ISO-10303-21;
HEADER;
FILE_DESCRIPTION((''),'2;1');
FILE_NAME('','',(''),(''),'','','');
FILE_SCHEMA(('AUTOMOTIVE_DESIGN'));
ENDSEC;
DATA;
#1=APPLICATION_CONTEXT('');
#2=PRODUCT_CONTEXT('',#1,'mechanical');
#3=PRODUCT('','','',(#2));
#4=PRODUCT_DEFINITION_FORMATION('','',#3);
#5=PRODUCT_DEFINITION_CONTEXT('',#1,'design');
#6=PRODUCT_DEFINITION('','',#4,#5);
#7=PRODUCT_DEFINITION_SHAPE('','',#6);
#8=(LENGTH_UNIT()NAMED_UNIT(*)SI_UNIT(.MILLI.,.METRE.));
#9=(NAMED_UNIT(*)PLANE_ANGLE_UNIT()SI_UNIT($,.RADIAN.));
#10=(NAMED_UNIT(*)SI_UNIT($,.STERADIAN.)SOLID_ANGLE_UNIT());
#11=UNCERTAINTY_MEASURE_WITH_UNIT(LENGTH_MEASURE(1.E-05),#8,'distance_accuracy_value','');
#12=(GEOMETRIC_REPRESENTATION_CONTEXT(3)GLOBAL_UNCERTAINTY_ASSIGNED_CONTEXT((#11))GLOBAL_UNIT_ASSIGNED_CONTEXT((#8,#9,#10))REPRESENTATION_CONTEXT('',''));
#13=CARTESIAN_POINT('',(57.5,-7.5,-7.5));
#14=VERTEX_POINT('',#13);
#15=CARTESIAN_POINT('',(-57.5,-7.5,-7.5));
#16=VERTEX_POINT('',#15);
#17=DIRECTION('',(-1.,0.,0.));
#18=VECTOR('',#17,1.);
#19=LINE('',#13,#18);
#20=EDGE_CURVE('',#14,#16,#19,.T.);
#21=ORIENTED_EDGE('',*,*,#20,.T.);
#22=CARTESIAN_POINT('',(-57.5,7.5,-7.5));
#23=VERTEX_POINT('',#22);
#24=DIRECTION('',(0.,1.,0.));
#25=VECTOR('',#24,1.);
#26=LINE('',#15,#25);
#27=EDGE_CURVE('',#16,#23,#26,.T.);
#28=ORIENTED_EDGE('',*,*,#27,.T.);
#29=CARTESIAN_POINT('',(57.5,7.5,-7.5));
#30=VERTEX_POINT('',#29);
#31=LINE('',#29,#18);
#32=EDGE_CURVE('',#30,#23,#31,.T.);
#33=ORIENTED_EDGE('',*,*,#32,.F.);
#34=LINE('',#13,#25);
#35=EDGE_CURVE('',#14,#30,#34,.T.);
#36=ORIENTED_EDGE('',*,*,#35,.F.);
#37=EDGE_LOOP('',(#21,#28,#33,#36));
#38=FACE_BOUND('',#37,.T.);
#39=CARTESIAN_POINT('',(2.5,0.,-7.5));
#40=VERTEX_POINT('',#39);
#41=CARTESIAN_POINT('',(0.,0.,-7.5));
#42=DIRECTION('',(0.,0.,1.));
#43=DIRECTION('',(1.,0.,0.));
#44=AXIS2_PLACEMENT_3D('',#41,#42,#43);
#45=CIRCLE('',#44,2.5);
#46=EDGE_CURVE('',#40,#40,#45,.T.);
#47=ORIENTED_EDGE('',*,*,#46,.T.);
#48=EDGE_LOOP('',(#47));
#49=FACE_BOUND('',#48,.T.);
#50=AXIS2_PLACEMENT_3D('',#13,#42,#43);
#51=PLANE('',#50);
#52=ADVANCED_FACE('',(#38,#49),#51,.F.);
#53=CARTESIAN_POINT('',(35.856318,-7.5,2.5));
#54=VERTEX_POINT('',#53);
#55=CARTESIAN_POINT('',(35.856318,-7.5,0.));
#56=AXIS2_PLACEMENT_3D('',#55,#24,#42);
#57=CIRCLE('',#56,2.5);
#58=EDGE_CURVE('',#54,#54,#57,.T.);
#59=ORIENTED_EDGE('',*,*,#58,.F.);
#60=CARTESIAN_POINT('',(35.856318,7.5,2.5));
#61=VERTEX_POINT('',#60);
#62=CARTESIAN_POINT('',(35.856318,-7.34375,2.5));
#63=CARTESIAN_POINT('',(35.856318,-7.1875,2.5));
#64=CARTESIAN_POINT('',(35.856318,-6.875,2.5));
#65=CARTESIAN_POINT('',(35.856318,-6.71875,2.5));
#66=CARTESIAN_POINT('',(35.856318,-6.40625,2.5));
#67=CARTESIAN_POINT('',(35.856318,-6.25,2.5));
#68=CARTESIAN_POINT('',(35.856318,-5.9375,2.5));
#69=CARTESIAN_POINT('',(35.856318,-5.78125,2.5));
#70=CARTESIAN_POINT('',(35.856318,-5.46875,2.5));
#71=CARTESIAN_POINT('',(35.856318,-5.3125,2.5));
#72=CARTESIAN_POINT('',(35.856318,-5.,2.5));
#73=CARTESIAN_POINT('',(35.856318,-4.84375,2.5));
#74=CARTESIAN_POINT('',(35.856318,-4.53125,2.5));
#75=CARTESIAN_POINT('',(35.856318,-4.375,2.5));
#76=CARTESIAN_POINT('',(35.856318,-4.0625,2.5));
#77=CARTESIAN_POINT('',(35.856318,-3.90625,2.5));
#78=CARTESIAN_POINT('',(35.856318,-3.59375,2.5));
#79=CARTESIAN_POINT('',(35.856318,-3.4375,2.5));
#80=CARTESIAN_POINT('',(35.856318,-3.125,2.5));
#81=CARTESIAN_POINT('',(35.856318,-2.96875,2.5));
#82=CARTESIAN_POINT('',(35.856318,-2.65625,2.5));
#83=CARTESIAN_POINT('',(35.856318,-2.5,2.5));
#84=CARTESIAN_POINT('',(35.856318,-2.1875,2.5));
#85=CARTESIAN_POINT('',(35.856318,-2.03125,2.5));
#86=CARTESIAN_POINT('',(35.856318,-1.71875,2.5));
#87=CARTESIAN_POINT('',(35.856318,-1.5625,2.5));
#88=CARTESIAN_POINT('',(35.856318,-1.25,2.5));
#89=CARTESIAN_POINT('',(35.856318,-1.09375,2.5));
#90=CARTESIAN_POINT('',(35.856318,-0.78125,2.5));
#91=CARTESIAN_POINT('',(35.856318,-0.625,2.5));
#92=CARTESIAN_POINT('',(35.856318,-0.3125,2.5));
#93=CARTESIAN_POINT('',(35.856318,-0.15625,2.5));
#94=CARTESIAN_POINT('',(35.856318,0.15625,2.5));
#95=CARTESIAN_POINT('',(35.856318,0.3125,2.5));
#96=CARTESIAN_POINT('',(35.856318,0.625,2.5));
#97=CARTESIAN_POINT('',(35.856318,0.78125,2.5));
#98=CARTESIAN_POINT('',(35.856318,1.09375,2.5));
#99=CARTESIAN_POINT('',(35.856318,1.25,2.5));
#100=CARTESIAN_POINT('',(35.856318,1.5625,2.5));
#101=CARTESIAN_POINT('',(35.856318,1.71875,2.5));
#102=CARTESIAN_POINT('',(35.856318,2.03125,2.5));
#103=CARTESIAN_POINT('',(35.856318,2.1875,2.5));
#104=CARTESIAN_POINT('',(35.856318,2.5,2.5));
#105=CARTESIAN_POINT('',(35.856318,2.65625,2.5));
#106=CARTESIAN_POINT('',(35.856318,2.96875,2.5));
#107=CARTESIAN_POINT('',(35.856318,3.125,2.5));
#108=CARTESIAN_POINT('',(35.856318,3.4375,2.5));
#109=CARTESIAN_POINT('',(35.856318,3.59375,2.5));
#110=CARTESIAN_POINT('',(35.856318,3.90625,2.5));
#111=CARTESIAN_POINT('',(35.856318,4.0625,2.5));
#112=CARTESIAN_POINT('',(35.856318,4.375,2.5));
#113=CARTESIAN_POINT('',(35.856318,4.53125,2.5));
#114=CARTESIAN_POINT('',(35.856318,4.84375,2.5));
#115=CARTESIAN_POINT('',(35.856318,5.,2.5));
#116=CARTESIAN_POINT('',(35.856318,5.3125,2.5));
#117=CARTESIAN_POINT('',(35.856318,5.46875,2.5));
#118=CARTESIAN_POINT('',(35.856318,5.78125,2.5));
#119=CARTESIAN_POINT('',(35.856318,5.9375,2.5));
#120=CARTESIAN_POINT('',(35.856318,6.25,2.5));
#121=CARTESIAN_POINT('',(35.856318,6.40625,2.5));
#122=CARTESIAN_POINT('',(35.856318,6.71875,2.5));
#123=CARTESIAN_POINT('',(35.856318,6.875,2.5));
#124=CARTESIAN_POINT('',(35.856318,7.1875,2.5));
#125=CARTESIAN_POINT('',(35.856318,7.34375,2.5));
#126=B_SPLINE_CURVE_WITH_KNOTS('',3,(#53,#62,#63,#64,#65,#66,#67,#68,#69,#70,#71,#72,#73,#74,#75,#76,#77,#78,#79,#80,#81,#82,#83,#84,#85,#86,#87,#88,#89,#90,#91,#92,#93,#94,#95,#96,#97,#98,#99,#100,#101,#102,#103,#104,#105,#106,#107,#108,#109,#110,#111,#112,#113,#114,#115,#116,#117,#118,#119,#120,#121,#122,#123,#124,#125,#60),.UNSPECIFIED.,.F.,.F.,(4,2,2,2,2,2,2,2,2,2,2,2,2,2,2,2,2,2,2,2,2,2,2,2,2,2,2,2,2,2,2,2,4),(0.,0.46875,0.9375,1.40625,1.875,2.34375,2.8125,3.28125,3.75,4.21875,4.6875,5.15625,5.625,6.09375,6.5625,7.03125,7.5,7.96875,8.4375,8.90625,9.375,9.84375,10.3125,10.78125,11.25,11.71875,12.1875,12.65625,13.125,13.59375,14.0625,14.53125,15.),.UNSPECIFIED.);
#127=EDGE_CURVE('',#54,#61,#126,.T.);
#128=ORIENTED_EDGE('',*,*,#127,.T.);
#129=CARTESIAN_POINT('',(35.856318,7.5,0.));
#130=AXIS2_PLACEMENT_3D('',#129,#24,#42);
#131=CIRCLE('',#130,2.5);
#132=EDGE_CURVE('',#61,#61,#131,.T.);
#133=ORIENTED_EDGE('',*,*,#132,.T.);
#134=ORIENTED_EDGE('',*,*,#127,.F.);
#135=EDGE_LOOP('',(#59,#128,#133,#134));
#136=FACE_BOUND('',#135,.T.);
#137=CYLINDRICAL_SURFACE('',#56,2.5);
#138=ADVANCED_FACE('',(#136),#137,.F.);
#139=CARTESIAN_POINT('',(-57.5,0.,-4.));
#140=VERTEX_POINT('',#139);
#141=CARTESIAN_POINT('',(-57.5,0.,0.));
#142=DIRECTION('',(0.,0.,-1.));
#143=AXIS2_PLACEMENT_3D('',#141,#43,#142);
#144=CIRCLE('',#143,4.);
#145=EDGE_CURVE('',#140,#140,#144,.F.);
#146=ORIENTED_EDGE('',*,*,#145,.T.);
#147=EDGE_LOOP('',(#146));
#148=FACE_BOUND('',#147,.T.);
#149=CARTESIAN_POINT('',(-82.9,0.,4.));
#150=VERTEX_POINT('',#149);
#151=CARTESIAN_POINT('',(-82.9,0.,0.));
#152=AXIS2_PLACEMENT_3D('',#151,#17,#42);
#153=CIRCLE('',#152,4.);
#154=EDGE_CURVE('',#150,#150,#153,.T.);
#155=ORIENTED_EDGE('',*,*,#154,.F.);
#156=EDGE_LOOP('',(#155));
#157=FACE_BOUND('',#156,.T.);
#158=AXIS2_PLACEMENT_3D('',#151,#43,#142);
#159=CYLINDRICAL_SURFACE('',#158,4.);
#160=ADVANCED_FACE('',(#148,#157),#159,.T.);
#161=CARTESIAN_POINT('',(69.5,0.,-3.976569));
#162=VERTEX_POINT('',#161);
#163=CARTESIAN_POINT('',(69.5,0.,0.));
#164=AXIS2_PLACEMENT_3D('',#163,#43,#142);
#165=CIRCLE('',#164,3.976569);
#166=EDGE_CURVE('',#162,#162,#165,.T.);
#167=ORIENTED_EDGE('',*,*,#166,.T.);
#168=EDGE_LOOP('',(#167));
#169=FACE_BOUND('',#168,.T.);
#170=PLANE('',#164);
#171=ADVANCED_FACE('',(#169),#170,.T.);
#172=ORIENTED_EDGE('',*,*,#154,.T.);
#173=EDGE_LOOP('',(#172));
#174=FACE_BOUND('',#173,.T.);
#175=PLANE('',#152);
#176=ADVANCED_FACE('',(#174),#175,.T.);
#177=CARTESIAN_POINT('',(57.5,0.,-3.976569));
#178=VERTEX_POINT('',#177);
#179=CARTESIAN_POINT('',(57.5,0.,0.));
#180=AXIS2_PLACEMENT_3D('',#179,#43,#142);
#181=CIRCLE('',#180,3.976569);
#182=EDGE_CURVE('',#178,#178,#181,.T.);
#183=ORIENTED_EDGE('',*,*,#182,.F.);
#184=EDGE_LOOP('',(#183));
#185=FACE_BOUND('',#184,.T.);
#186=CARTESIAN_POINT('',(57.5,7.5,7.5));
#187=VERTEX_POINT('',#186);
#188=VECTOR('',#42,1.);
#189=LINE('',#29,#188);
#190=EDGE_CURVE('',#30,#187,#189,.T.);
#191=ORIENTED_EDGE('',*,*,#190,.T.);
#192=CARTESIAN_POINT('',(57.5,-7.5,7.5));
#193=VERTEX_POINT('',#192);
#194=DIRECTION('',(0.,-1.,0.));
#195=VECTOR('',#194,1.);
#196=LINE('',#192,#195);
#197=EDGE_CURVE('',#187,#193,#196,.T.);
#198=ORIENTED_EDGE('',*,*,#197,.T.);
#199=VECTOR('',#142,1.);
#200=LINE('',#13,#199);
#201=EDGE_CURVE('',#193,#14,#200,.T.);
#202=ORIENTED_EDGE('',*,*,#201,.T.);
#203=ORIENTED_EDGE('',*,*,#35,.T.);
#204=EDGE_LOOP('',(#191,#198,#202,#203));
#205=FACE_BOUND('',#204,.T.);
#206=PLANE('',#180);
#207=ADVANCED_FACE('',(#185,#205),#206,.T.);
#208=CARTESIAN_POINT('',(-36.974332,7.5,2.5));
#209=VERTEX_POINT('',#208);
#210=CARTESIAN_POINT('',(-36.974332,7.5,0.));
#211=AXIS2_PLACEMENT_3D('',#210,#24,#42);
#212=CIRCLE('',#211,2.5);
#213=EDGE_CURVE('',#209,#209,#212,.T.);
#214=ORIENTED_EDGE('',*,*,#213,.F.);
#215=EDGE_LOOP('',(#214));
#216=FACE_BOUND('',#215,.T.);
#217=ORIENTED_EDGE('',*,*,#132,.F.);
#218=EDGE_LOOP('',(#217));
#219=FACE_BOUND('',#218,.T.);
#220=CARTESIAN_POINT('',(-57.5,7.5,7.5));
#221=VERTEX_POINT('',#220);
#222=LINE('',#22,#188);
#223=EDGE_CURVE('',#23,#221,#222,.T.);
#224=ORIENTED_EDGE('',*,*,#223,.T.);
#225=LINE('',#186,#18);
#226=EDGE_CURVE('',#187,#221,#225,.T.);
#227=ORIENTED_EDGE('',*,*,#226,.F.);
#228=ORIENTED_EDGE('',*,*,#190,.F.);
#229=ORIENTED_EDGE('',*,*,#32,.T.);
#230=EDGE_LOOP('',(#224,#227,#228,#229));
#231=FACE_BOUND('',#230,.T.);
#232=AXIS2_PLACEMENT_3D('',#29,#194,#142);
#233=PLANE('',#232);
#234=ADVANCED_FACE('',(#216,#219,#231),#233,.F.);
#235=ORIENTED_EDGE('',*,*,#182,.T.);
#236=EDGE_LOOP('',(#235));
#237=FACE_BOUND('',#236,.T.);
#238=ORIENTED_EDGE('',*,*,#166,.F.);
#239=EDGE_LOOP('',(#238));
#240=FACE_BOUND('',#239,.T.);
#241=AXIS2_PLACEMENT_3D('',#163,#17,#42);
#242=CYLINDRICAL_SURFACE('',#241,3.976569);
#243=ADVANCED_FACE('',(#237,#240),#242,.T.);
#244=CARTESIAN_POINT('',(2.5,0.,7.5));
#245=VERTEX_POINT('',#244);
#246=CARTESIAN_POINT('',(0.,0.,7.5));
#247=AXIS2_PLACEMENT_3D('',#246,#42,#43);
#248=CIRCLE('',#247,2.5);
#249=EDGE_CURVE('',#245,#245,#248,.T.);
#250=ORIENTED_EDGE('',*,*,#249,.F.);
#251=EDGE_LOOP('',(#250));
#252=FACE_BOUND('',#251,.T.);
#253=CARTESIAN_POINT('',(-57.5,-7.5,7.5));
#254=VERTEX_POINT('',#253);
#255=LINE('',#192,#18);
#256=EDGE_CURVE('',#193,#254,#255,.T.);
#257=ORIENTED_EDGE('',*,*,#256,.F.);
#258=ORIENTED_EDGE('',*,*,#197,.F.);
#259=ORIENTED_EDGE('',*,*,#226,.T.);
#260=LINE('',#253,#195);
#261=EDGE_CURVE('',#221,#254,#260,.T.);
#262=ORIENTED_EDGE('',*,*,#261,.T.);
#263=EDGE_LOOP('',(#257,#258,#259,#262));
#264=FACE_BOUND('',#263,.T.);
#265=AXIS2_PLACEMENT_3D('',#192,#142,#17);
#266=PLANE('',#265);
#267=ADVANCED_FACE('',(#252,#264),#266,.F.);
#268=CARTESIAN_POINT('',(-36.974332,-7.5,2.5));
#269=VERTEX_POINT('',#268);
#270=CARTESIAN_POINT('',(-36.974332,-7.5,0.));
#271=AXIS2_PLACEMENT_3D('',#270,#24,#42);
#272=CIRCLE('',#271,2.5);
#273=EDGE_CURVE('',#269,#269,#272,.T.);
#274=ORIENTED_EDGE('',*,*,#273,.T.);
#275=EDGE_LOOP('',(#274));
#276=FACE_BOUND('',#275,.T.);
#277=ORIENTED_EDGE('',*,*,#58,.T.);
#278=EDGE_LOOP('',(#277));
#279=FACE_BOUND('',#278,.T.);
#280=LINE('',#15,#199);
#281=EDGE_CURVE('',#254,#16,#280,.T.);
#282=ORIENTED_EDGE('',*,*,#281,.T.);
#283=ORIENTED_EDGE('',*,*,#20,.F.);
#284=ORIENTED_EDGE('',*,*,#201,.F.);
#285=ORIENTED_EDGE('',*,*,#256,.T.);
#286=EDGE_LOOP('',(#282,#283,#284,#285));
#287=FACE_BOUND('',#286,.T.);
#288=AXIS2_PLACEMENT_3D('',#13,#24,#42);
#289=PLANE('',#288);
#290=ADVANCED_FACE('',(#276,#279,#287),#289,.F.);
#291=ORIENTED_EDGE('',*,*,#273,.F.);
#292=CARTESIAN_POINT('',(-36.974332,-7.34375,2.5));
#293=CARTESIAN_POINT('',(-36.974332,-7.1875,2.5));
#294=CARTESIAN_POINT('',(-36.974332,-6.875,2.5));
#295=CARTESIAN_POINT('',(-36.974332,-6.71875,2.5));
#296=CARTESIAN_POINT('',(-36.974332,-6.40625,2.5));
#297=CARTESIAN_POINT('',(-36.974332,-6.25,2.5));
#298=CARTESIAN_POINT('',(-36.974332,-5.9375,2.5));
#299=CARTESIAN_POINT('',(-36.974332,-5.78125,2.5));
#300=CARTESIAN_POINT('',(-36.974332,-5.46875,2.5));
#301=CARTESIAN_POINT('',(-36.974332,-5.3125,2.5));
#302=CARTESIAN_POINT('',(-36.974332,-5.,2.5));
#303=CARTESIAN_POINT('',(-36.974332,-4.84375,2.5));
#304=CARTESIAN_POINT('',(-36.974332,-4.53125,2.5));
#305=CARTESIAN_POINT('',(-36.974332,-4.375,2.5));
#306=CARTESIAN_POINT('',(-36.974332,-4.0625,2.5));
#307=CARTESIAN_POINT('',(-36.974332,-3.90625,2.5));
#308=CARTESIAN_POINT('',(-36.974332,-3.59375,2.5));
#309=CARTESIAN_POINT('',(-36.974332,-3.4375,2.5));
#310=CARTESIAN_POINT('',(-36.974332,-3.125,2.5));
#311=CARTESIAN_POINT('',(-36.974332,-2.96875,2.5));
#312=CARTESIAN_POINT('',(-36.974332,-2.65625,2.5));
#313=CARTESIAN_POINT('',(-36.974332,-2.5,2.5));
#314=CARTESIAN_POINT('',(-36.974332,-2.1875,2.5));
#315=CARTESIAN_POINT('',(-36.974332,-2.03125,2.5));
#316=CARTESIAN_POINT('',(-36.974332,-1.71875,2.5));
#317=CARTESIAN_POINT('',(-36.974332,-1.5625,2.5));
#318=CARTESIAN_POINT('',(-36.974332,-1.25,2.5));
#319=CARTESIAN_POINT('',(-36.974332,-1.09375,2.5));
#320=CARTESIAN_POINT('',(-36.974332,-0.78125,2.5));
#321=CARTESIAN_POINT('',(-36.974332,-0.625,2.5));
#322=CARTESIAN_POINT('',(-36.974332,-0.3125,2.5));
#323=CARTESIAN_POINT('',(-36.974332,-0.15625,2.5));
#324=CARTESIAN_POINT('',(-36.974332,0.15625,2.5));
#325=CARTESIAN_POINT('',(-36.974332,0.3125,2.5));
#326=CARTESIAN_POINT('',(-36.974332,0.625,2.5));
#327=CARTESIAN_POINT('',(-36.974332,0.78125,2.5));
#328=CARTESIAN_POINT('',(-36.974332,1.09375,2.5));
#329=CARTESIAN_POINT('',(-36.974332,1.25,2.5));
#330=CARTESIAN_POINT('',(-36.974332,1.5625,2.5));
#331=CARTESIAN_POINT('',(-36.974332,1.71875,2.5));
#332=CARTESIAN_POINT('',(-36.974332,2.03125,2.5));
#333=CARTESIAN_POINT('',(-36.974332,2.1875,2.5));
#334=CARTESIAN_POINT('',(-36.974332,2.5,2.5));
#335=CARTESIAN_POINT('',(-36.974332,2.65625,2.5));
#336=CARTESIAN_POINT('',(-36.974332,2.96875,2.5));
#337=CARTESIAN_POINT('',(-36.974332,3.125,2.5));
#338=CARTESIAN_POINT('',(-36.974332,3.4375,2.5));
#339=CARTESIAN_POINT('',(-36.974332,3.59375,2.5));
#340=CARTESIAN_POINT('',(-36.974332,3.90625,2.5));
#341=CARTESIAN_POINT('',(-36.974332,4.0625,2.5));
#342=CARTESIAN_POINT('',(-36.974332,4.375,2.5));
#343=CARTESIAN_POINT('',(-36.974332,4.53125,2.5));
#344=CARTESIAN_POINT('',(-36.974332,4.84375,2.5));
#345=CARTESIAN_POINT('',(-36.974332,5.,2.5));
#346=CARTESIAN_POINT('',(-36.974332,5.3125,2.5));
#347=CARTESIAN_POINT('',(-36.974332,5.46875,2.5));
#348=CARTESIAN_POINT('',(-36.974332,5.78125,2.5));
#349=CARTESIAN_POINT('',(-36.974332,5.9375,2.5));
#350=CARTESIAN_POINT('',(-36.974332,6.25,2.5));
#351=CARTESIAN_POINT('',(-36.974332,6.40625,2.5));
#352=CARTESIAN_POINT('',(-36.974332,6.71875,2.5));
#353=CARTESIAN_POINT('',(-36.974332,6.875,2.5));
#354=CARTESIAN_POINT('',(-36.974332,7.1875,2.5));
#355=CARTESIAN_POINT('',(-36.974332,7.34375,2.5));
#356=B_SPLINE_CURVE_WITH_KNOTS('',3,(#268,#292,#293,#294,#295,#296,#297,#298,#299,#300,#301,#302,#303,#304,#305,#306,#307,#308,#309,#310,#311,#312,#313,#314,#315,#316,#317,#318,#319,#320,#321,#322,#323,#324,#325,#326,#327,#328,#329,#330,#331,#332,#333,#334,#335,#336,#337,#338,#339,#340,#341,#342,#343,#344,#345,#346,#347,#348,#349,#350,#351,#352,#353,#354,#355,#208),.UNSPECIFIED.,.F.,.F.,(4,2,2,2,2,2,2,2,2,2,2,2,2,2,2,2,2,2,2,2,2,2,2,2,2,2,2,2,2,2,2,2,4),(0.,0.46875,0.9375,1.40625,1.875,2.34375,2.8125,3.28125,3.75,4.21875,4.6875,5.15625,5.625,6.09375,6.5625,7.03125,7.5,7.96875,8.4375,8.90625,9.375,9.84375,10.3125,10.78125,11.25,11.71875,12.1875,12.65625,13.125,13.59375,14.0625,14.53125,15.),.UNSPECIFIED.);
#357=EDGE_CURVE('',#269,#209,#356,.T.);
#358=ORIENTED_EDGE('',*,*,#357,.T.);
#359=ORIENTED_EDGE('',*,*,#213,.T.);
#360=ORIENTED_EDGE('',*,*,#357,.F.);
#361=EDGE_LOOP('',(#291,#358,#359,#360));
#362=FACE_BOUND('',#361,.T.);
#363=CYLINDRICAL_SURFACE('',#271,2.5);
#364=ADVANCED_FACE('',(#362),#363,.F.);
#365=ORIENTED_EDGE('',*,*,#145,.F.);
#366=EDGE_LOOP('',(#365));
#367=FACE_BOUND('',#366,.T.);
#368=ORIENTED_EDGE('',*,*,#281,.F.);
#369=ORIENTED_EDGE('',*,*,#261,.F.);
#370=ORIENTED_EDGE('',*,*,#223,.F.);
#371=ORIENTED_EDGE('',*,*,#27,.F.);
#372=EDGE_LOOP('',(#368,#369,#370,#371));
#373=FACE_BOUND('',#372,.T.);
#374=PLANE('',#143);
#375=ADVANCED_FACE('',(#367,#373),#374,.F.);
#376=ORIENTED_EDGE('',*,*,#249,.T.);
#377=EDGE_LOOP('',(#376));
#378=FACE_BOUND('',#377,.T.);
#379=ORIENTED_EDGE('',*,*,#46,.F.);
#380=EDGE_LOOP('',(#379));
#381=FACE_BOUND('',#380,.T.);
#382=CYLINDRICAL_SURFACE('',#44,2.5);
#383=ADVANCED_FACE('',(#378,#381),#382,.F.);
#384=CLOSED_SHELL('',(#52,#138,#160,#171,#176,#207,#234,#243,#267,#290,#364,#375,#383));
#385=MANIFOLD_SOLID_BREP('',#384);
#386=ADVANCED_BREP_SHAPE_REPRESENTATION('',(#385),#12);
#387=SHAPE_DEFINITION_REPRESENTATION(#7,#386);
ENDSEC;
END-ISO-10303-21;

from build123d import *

# Parameters (mm, degrees)
CROQUIS1_W              = 15
CROQUIS1_H              = 15
SALIENTE_EXTRUIR1_DEPTH = 57.5
CROQUIS2_R              = 2.5
CORTAR_EXTRUIR1_DEPTH   = 60.895742754
CROQUIS3_R              = 2.5
CORTAR_EXTRUIR2_DEPTH   = 60.895742754
CROQUIS4_R              = 4
SALIENTE_EXTRUIR2_DEPTH = 25.4
CROQUIS5_R              = 3.976569184
SALIENTE_EXTRUIR3_DEPTH = 12


with BuildPart() as part:
    # Croquis1 → Saliente-Extruir1 (new, symmetric)
    with BuildSketch(Plane(origin=(0, 0, 0), x_dir=(0, 0, -1), z_dir=(1, 0, 0))):
        Rectangle(CROQUIS1_W, CROQUIS1_H)
    extrude(amount=SALIENTE_EXTRUIR1_DEPTH, both=True)

    # Croquis2 → Cortar-Extruir1 (cut, through all)
    with BuildSketch(Plane.XY.offset(7.5)):
        Circle(CROQUIS2_R)
    extrude(amount=-CORTAR_EXTRUIR1_DEPTH, mode=Mode.SUBTRACT)

    # Croquis3 → Cortar-Extruir2 (cut, through all)
    with BuildSketch(Plane(origin=(0, 7.5, 0), x_dir=(1, 0, 0), z_dir=(0, 1, 0))):
        with Locations(Location((-36.974332256, 0, 0), (0, 0, 270))):
            Circle(CROQUIS3_R)
        with Locations(Location((35.85631789, 0, 0), (0, 0, 270))):
            Circle(CROQUIS3_R)
    extrude(amount=-CORTAR_EXTRUIR2_DEPTH, mode=Mode.SUBTRACT)

    # Croquis4 → Saliente-Extruir2 (add)
    with BuildSketch(Plane.ZY.offset(57.5)):
        with Locations(Location((0, 0, 0), (0, 0, 180))):
            Circle(CROQUIS4_R)
    extrude(amount=SALIENTE_EXTRUIR2_DEPTH)

    # Croquis5 → Saliente-Extruir3 (add)
    with BuildSketch(Plane(origin=(57.5, 0, 0), x_dir=(0, 0, -1), z_dir=(1, 0, 0))):
        Circle(CROQUIS5_R)
    extrude(amount=SALIENTE_EXTRUIR3_DEPTH)


solid = part.part
